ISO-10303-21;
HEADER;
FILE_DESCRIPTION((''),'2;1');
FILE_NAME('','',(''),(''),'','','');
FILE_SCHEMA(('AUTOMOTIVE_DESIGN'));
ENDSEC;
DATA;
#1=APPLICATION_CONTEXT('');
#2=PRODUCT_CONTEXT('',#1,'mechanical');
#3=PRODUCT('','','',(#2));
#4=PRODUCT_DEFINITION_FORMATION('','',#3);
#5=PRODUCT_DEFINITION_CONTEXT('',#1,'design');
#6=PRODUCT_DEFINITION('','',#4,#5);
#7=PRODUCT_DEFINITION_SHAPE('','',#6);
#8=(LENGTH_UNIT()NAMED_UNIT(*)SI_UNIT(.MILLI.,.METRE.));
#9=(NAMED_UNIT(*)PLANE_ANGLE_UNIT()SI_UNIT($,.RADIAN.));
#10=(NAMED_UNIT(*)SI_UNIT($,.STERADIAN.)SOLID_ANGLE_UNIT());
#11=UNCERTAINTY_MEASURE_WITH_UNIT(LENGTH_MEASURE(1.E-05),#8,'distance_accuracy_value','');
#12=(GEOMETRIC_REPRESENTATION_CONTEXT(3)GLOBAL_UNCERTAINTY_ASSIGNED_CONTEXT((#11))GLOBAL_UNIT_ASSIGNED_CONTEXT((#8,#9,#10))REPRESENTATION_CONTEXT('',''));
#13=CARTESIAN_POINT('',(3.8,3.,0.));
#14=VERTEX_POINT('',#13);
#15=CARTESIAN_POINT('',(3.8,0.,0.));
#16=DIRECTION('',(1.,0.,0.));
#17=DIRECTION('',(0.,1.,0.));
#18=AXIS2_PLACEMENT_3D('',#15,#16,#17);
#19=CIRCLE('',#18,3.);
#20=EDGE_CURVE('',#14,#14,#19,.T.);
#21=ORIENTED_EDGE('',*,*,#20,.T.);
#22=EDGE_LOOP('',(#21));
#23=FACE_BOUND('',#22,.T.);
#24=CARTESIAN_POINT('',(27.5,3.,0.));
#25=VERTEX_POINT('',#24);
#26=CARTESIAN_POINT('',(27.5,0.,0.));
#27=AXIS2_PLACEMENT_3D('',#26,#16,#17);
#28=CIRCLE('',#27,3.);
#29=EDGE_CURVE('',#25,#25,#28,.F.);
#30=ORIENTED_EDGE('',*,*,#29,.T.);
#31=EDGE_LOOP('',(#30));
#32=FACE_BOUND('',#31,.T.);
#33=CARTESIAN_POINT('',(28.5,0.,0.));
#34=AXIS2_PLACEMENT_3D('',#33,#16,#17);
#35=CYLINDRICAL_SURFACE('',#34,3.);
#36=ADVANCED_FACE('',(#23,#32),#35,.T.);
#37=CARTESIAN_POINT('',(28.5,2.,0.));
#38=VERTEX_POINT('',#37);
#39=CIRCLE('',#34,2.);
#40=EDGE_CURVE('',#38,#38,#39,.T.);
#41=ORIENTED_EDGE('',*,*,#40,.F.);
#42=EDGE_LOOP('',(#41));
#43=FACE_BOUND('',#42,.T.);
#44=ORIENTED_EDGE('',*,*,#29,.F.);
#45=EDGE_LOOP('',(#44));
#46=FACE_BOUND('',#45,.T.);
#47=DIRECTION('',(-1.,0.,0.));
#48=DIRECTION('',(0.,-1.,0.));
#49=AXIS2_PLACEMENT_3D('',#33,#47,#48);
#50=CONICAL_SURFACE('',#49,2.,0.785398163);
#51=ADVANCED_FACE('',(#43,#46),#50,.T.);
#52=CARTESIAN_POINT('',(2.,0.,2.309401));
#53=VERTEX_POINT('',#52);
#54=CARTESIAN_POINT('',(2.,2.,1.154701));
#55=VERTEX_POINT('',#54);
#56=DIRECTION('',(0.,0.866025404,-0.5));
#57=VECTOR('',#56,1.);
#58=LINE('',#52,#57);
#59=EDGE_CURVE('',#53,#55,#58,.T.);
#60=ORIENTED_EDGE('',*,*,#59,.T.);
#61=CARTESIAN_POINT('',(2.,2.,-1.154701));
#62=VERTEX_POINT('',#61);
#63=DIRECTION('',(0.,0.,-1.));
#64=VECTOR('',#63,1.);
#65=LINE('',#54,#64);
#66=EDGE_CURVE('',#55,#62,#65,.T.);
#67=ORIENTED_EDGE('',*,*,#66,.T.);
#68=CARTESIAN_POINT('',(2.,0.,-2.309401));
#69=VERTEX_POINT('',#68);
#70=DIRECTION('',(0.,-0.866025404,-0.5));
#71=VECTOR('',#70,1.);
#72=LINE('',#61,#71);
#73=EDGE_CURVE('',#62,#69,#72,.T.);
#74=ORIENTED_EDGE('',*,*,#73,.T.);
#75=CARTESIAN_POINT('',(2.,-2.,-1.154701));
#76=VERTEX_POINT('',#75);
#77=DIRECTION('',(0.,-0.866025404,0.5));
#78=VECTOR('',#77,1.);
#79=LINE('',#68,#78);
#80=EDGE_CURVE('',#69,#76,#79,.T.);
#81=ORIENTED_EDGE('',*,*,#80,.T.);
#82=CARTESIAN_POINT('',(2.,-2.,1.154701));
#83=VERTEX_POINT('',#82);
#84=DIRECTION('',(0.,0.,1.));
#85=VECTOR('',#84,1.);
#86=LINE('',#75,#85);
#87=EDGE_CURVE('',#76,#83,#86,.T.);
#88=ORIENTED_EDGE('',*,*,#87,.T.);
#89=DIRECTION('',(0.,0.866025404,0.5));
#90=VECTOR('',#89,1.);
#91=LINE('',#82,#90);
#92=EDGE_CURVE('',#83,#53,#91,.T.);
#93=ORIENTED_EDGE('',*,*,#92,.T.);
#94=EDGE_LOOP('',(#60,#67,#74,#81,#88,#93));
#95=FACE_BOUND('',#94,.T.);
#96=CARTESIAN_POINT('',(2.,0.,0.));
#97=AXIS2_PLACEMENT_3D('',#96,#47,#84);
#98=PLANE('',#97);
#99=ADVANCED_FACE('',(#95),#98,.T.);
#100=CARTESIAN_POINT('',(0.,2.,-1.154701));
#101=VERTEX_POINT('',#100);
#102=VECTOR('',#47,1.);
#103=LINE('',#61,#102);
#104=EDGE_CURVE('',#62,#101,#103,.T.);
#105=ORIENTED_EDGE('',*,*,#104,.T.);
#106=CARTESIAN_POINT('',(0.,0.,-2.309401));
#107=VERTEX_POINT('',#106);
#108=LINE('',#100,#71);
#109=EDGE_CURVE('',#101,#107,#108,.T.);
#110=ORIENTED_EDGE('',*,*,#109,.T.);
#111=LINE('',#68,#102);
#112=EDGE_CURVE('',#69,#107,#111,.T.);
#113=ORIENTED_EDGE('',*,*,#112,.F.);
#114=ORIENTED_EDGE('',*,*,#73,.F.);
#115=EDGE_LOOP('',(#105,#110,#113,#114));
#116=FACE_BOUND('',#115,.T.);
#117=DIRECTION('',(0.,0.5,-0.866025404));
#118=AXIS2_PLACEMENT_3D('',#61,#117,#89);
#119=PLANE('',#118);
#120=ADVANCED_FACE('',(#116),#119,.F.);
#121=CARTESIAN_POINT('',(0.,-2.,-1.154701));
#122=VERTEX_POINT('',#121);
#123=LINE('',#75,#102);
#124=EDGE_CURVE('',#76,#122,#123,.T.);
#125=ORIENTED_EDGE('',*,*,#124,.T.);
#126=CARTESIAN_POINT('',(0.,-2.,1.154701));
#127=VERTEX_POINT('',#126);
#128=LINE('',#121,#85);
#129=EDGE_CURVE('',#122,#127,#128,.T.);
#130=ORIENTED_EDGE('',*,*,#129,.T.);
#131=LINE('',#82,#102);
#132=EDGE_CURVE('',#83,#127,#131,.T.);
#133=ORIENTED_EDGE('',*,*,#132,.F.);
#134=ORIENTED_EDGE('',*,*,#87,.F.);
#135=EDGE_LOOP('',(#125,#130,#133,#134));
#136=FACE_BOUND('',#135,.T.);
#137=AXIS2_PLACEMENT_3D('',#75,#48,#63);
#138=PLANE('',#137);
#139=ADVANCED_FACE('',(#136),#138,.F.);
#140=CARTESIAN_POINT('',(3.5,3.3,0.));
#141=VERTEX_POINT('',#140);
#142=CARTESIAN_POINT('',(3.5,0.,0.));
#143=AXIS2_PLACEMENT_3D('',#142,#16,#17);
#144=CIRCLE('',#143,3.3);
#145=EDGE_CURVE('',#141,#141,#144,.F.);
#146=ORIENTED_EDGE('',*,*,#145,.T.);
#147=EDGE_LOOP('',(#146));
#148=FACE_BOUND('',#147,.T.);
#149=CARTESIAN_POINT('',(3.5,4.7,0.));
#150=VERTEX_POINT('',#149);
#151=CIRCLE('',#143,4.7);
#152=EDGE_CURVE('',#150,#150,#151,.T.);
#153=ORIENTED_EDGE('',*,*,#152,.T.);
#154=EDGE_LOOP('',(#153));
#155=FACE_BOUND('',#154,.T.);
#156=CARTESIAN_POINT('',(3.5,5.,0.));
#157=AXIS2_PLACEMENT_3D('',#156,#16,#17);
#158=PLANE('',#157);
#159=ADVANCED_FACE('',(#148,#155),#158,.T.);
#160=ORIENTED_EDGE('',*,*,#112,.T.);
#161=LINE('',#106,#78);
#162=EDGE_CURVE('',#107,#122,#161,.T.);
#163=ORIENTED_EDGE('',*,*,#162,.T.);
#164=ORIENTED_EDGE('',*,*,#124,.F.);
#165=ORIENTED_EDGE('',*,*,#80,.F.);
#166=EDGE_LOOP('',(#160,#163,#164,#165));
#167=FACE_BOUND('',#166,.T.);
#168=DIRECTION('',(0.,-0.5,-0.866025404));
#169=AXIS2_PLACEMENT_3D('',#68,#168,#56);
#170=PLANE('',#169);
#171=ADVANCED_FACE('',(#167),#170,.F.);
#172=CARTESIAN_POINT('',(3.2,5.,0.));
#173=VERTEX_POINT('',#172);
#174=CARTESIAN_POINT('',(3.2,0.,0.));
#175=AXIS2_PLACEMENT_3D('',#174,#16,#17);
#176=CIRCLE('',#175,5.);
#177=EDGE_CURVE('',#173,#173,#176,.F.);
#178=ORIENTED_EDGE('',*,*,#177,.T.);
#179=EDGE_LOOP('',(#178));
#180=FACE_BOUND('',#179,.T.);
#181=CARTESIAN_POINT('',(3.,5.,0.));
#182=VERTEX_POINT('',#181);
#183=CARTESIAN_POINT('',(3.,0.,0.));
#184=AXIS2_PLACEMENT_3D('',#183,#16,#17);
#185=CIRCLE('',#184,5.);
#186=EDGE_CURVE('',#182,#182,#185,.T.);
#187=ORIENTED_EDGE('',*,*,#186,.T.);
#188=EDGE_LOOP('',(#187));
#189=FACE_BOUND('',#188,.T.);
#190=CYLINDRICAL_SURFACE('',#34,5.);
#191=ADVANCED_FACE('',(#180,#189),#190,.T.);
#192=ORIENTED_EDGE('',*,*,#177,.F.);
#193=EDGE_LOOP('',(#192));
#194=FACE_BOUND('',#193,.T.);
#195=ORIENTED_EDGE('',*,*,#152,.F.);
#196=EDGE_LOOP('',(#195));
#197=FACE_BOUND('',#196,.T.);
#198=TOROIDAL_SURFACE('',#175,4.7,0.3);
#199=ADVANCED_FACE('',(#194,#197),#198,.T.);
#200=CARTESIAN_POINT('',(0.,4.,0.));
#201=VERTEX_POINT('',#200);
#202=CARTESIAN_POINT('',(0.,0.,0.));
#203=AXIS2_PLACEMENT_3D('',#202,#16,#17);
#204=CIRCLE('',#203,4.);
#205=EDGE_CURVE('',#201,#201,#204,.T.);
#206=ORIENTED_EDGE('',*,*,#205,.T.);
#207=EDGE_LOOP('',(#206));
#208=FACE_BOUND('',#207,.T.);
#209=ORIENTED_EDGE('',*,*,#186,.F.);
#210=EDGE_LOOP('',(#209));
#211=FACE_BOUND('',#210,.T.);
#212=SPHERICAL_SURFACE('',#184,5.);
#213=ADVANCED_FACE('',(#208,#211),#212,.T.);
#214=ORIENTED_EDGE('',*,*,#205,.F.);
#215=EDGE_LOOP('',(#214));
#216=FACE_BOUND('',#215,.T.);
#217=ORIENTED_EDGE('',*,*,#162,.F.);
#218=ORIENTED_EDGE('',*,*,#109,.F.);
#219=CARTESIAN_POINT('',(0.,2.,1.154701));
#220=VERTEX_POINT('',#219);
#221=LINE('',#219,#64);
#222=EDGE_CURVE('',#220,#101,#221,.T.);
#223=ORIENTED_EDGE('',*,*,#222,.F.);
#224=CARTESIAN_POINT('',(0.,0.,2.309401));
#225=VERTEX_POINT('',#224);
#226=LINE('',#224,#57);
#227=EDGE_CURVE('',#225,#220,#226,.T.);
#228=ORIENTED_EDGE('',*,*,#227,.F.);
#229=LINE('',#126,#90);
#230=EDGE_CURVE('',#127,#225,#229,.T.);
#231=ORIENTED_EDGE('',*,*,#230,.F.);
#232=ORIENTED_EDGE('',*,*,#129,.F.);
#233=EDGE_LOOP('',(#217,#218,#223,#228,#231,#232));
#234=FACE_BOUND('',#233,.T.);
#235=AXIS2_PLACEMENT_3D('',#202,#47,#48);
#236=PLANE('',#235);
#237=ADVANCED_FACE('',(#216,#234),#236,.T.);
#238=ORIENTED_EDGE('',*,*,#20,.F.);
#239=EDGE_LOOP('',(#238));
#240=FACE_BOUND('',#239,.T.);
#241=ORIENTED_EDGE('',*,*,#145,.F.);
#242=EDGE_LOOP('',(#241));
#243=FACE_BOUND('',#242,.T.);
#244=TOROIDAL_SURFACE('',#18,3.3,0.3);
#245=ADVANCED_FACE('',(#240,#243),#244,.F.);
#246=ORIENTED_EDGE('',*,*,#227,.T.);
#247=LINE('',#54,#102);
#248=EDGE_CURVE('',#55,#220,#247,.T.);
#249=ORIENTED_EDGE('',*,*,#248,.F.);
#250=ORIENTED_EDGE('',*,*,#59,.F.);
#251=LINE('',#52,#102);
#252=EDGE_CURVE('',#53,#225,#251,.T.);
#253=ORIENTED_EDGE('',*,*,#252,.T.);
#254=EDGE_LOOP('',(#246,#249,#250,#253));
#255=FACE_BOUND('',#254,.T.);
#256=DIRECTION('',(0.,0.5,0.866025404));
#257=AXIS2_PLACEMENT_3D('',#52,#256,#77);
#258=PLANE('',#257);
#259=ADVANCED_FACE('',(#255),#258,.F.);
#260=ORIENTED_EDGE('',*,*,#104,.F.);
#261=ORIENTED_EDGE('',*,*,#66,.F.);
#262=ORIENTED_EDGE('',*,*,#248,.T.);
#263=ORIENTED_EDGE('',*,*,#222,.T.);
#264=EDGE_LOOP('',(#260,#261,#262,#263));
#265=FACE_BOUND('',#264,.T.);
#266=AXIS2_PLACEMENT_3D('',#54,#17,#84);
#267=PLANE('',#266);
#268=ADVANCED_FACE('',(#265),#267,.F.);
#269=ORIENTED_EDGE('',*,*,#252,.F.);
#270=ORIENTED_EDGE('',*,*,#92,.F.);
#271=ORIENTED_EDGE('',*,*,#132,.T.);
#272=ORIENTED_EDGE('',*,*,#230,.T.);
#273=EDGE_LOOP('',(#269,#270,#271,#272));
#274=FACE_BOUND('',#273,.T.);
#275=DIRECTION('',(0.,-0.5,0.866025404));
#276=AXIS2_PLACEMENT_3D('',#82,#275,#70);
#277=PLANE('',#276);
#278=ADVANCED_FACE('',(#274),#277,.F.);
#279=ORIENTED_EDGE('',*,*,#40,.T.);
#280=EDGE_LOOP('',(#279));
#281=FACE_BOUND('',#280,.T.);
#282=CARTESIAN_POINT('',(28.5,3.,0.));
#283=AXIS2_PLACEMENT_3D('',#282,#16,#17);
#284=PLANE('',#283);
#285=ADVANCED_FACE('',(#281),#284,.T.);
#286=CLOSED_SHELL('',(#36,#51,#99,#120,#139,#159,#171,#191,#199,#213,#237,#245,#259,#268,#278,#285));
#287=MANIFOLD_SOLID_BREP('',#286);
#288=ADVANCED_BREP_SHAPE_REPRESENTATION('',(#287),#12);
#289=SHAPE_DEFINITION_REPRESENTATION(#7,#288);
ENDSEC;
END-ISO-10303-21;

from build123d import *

# Parameters (mm, degrees)
CUT_EXTRUDE_1_DEPTH = 2
FILLET_1_R          = 0.3
CHAMFER_1_SIZE      = 1


with BuildPart() as part:
    # Эскиз1 → Повернуть1 (revolve)
    with BuildSketch(Plane.XY):
        with BuildLine():
            Line((0, 0), (0, 4))
            ThreePointArc((0, 4), (1.41886117, 4.74341649), (3, 5))
            Line((3, 5), (3.5, 5))
            Line((3.5, 5), (3.5, 3))
            Line((3.5, 3), (28.5, 3))
            Line((28.5, 3), (28.5, 0))
            Line((28.5, 0), (0, 0))
        make_face()
    revolve(axis=Axis((28.5, 0, 0), (-1, 0, 0)))

    # Эскиз2 → Вырез-Вытянуть1 (cut)
    with BuildSketch(Plane.ZY):
        Polygon((1.154700538, 2), (-1.154700538, 2), (-2.309401077, 0), (-1.154700538, -2), (1.154700538, -2), (2.309401077, 0), align=None)
    extrude(amount=-CUT_EXTRUDE_1_DEPTH, mode=Mode.SUBTRACT)

    # Скругление1
    fillet_1_edges = [part.edges().sort_by_distance(p)[0] for p in [
        (3.5, -3, 0),
        (3.5, -5, 0),
    ]]
    fillet(fillet_1_edges, radius=FILLET_1_R)

    # Фаска1
    chamfer_1_edges = [part.edges().sort_by_distance(p)[0] for p in [
        (28.5, -3, 0),
    ]]
    chamfer(chamfer_1_edges, length=CHAMFER_1_SIZE)


solid = part.part
